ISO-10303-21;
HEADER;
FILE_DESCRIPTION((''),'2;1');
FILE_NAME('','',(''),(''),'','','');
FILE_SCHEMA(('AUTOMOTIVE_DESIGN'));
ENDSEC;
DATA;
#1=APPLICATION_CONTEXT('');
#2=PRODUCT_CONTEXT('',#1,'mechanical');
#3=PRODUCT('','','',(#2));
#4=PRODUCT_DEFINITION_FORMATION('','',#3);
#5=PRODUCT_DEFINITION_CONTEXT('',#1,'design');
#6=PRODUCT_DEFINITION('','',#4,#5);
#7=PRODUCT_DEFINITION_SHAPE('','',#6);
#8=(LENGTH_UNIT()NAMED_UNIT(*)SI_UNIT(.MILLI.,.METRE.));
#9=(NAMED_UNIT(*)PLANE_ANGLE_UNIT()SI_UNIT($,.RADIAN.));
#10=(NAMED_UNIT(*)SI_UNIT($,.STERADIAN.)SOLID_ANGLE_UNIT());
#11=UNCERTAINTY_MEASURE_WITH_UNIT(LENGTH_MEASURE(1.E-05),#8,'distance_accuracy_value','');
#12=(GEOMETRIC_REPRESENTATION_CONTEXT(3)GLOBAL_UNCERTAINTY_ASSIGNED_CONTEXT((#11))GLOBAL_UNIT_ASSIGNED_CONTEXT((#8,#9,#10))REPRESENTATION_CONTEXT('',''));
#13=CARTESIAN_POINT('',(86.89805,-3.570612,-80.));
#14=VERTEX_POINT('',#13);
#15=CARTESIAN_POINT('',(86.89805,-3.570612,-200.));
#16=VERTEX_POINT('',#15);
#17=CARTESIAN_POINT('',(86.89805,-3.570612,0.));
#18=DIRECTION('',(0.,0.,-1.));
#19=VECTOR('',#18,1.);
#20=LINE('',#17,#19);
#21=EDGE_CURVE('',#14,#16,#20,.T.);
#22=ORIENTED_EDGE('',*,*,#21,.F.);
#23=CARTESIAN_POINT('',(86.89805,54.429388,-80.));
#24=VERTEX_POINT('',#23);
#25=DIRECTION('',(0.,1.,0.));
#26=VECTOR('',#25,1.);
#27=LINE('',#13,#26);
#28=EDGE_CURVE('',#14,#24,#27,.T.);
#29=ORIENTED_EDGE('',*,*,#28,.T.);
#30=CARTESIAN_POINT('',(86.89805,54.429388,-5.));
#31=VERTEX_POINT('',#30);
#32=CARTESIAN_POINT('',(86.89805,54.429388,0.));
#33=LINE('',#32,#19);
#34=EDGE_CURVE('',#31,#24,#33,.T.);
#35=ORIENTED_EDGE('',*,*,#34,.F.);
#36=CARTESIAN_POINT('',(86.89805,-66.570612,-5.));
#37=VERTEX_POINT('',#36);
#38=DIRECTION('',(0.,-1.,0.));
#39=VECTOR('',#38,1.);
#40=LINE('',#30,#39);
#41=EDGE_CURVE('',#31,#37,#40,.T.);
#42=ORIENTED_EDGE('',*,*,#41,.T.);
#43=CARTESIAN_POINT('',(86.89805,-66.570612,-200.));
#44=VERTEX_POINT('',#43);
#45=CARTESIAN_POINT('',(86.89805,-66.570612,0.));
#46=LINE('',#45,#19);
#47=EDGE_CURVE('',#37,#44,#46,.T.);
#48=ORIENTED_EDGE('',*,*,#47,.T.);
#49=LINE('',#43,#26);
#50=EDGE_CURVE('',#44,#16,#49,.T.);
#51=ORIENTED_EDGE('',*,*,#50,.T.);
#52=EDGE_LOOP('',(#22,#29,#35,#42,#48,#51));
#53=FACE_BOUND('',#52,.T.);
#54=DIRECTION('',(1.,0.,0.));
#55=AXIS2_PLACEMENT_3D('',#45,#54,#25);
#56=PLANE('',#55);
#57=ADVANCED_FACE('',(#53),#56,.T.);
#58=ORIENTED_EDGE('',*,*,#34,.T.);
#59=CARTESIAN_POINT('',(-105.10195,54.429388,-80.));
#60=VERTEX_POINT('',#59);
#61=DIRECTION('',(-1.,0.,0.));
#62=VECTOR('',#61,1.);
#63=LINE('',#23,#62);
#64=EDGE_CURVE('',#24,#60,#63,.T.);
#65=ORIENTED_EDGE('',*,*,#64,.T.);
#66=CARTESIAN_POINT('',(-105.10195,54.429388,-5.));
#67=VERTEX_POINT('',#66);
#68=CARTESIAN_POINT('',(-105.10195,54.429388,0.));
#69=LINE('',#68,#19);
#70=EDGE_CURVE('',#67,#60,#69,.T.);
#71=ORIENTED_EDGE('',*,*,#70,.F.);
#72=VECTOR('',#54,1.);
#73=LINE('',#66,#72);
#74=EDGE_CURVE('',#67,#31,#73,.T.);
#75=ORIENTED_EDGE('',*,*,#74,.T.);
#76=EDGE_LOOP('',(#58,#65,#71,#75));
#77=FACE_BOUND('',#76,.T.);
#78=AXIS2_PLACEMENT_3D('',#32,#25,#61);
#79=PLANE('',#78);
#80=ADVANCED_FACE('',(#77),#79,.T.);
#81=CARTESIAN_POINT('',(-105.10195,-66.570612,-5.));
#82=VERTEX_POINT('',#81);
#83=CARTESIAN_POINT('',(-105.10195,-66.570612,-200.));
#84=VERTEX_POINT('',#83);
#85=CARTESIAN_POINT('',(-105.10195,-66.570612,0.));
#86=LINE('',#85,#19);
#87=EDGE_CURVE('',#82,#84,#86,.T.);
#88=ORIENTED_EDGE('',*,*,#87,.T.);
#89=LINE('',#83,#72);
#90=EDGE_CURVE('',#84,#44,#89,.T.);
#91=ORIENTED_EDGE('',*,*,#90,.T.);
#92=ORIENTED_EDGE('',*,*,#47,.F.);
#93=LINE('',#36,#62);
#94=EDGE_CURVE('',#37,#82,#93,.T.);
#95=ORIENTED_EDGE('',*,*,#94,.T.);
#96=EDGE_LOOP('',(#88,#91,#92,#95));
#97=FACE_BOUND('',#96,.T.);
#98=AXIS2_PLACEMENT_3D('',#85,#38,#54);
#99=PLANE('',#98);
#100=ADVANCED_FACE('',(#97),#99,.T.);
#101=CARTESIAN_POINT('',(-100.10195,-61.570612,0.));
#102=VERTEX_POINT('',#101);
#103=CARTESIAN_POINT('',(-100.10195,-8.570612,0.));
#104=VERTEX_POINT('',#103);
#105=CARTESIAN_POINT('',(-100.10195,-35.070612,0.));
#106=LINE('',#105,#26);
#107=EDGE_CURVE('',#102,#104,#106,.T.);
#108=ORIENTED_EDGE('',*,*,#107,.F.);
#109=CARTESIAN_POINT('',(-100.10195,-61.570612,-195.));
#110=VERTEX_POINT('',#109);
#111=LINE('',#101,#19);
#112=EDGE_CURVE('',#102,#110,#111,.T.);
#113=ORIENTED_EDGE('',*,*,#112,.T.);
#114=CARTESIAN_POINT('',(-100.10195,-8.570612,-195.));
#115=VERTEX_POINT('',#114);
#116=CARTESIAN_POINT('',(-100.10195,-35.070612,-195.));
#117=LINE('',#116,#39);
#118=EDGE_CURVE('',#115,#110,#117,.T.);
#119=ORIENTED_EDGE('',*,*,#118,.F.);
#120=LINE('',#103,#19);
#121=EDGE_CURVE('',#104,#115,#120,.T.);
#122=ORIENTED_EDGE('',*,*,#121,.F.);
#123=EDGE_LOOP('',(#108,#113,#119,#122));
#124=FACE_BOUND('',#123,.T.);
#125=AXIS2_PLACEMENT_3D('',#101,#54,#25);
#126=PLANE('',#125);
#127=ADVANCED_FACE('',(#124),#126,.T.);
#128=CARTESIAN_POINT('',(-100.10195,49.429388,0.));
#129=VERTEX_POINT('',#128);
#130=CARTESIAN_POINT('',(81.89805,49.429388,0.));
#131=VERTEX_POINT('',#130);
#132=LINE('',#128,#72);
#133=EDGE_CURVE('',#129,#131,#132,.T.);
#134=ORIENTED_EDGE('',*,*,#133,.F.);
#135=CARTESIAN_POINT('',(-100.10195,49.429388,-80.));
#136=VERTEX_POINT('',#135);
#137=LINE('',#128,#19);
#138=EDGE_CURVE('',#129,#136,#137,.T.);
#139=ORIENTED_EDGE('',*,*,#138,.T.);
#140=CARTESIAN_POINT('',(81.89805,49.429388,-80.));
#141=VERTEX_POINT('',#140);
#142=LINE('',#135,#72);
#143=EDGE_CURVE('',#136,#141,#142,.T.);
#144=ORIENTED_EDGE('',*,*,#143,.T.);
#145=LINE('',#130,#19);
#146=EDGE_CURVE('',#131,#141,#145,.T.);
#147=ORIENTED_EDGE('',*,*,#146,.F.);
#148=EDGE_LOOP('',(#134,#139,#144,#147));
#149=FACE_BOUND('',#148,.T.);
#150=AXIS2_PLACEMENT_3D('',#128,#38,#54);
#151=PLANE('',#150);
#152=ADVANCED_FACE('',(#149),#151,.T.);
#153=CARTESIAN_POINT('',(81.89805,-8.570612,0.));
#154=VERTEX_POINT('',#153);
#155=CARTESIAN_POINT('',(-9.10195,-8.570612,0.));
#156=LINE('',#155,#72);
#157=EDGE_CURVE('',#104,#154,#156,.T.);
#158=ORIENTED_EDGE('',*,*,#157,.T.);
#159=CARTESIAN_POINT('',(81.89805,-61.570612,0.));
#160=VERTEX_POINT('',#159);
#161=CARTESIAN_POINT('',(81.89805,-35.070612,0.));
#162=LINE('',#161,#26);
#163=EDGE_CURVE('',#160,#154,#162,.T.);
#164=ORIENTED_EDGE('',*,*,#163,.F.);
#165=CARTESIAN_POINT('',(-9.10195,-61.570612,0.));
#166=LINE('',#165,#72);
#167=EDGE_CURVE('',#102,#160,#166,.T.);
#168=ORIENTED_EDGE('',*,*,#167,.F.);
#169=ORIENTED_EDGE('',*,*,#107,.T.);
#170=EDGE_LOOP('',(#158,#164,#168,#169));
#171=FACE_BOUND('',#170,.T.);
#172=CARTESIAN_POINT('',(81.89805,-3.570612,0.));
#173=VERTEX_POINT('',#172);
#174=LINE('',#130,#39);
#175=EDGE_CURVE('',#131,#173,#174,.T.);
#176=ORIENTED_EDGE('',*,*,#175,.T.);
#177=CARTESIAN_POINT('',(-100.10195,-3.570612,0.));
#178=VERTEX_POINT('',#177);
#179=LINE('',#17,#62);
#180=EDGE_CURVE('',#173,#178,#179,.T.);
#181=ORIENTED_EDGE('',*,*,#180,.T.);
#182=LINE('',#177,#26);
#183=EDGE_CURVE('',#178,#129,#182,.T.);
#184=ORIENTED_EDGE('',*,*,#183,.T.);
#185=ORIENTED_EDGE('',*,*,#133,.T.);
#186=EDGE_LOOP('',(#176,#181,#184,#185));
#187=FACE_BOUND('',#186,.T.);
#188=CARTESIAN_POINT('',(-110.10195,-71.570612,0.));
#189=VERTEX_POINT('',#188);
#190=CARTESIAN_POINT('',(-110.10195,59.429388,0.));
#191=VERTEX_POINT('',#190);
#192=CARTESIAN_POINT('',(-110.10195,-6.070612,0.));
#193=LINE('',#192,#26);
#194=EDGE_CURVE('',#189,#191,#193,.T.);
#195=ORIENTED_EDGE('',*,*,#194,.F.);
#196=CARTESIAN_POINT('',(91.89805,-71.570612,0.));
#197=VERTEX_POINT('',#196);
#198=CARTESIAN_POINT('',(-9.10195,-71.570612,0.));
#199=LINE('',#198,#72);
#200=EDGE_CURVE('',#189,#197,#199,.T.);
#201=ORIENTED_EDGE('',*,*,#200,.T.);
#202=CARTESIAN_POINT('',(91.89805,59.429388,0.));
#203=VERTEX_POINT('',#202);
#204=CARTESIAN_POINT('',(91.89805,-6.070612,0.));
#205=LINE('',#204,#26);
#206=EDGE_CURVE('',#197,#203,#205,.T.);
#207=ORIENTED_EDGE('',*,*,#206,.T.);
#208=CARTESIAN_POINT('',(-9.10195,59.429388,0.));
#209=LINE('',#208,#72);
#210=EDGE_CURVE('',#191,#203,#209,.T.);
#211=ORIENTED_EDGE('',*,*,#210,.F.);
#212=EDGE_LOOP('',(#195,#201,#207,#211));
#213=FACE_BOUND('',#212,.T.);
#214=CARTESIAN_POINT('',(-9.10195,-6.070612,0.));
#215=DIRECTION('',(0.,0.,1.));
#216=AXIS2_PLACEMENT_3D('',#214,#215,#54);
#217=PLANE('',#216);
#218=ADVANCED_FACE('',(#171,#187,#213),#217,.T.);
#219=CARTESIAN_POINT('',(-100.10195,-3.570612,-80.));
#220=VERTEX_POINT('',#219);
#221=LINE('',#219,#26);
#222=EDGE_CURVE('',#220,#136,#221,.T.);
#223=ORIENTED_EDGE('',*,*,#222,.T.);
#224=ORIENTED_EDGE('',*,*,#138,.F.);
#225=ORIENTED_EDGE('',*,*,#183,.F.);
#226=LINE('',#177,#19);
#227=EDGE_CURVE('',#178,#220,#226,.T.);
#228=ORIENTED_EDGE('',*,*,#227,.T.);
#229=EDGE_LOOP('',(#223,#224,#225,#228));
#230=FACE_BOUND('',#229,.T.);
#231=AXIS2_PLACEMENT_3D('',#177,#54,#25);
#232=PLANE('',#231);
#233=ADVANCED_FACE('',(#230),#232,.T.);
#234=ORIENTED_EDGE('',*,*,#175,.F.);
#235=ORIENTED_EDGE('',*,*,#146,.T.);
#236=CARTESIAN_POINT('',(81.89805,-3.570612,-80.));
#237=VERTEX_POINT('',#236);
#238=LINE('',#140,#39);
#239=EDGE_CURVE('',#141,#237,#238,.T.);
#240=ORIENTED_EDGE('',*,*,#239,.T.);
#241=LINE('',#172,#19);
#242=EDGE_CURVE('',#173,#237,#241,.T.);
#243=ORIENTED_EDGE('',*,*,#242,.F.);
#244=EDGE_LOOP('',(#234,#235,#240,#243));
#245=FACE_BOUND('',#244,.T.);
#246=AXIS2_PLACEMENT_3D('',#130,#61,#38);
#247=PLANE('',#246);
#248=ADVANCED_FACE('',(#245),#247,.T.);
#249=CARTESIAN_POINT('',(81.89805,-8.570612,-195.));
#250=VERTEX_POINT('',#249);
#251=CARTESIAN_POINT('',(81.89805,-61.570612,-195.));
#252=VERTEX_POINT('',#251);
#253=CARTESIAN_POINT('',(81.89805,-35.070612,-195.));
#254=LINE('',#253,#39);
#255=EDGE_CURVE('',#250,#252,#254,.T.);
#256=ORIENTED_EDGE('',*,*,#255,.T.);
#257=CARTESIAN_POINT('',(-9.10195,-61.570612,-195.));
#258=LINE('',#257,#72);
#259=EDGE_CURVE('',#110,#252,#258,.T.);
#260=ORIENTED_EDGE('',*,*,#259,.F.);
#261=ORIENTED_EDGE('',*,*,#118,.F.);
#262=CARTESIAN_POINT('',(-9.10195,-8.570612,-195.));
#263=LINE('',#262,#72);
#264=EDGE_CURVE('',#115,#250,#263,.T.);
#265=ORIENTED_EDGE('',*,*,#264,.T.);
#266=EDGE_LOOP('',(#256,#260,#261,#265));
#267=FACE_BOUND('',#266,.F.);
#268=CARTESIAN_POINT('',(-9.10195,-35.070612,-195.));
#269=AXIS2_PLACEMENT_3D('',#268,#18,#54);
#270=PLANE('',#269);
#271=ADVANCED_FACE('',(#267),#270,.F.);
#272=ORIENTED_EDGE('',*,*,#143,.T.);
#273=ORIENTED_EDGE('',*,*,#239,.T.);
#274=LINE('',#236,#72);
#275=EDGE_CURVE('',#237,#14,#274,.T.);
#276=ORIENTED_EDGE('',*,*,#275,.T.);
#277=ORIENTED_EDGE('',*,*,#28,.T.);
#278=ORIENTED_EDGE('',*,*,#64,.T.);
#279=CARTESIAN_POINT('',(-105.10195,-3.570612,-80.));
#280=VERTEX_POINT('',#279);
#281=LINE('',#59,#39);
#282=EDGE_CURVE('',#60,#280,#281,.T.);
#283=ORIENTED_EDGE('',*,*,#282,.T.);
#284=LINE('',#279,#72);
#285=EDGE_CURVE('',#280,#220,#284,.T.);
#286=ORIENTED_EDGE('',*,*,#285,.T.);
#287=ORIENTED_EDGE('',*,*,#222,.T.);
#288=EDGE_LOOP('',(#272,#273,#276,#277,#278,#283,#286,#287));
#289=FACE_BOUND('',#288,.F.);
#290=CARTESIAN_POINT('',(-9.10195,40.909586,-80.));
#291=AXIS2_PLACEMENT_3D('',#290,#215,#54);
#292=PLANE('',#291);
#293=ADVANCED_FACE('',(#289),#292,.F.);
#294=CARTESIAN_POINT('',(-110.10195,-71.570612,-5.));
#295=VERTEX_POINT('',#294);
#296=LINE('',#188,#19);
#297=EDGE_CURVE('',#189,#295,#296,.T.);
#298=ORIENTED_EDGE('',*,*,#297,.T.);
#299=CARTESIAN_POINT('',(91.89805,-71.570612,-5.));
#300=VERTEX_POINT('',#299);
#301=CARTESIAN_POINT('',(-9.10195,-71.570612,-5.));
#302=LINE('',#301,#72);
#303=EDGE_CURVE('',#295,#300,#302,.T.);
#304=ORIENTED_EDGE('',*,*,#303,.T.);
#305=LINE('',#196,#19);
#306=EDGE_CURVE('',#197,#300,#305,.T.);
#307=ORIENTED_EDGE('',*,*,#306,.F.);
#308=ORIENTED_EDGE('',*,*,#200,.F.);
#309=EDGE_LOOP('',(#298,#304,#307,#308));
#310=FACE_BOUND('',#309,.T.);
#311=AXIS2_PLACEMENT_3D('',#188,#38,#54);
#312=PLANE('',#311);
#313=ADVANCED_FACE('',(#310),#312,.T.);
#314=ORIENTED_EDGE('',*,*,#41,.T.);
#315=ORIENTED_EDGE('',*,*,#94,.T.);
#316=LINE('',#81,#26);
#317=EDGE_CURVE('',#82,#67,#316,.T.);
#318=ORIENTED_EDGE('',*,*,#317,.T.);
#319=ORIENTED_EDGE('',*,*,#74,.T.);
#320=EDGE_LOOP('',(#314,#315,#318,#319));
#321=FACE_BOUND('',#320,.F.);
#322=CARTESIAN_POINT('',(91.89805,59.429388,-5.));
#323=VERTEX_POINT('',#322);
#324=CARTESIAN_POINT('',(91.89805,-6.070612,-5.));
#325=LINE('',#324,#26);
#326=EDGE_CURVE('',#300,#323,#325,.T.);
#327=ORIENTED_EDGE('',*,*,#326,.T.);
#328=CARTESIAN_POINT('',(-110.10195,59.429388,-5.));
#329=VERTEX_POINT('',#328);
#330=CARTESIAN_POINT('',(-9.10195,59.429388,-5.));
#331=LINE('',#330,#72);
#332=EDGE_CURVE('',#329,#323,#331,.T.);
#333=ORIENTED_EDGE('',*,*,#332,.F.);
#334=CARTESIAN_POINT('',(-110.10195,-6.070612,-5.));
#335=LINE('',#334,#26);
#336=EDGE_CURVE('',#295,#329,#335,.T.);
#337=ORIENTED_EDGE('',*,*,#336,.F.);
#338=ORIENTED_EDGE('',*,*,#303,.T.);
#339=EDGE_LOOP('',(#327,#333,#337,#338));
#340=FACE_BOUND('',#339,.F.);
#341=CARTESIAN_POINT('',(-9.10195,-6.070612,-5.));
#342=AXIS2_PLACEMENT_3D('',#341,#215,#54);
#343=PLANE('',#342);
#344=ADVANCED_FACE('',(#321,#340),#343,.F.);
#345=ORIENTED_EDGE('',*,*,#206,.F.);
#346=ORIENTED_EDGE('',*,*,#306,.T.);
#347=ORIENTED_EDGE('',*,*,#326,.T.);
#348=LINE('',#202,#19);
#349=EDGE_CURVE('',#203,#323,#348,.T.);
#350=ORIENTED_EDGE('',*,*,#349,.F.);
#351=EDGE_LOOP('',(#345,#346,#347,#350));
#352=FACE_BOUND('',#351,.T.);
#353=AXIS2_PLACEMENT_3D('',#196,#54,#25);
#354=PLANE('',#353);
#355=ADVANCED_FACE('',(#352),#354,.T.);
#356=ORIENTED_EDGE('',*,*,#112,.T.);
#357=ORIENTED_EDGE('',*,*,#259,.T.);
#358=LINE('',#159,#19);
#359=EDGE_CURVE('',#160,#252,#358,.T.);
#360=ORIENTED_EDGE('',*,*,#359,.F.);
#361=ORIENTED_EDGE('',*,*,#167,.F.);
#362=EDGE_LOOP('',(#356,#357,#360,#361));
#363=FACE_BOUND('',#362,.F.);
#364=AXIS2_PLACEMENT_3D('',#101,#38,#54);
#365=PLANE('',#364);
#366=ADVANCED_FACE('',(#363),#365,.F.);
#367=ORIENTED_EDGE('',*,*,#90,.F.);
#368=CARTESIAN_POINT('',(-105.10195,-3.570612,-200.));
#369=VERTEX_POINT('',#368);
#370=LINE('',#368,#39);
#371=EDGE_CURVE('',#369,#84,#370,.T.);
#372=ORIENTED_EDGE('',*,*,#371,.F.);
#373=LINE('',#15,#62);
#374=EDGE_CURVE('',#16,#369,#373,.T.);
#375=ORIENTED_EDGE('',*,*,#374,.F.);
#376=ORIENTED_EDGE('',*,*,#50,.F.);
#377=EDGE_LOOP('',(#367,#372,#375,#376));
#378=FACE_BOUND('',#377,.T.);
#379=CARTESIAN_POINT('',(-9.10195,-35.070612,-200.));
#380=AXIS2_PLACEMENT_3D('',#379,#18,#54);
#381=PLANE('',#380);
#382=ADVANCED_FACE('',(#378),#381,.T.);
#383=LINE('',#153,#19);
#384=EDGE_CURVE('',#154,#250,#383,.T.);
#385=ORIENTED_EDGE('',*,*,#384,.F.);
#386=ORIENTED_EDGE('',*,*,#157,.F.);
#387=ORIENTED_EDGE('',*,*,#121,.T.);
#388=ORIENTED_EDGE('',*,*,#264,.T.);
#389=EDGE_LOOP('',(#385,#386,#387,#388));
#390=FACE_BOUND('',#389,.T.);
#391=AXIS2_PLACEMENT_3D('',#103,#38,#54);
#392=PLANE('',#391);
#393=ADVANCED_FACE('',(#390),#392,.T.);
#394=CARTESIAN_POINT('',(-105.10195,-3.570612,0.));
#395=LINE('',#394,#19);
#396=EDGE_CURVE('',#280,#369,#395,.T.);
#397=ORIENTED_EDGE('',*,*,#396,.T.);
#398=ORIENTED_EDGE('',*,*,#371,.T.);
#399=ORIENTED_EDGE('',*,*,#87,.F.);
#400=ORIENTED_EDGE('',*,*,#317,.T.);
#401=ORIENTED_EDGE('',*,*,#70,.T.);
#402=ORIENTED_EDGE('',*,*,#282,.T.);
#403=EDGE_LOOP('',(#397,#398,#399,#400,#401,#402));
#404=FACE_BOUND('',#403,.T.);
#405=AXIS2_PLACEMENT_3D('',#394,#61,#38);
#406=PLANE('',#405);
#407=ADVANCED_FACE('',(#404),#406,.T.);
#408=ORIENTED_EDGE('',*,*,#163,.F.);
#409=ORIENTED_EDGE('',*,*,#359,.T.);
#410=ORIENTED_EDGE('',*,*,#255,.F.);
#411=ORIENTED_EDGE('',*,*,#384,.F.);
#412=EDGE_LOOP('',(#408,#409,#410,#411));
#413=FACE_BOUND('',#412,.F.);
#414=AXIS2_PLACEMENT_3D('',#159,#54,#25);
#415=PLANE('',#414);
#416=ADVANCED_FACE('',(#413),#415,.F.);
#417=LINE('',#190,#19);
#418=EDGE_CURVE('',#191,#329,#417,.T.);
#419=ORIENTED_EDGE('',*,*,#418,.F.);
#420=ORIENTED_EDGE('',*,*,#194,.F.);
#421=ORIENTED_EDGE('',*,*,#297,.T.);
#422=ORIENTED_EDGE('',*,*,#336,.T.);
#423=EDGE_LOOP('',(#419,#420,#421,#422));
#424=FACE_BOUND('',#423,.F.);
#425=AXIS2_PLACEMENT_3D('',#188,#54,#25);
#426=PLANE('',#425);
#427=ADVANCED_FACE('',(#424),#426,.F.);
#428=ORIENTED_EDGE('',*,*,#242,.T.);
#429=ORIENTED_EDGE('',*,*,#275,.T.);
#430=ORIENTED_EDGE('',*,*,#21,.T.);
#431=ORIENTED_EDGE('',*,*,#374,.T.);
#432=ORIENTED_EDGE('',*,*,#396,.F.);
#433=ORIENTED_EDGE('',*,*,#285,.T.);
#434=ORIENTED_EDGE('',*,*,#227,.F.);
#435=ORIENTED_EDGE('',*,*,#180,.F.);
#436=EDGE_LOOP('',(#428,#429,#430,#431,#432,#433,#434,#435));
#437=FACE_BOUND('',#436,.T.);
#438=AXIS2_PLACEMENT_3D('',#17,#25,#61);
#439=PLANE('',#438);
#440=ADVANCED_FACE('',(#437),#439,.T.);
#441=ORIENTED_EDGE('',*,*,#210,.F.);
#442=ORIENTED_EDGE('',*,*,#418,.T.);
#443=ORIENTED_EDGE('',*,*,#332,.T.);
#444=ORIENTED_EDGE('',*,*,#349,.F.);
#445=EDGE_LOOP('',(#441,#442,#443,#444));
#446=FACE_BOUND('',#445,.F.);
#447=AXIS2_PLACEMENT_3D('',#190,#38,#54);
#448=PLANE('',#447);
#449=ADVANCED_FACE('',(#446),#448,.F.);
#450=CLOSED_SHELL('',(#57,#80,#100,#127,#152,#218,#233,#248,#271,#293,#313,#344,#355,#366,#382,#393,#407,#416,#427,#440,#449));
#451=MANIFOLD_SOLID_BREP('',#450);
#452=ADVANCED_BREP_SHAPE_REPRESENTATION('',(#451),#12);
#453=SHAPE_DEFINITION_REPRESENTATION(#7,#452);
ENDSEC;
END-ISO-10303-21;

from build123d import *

# Parameters (mm, degrees)
F0_W     = 182
F0_H     = 53
F1_DEPTH = 200
F2_DEPTH = 80
F3_W     = 182
F3_H     = 53
F4_DEPTH = 5
F0_W_2   = 202
F0_H_2   = 131
F5_DEPTH = 5


with BuildPart() as f1:
    # F0 (on Top) → F1 (new body)
    with BuildSketch(Plane.XY):
        Polygon((81.89805, -3.570612), (-100.10195, -3.570612), (-105.10195, -3.570612), (-105.10195, -66.570612), (86.89805, -66.570612), (86.89805, -3.570612), align=None)
        with Locations((-9.10195, -35.070612)):
            Rectangle(F0_W, F0_H, mode=Mode.SUBTRACT)
    extrude(amount=-F1_DEPTH)

    # F0 (on Top) → F2 (join)
    with BuildSketch(Plane.XY):
        Polygon((-100.10195, -3.570612), (-100.10195, 49.429388), (81.89805, 49.429388), (81.89805, -3.570612), (86.89805, -3.570612), (86.89805, 54.429388), (-105.10195, 54.429388), (-105.10195, -3.570612), align=None)
    extrude(amount=-F2_DEPTH)

    # F3 (on face) → F4 (join)
    with BuildSketch(Plane(origin=(0, 0, -200), x_dir=(1, 0, 0), z_dir=(0, 0, -1))):
        with Locations((-9.10195, 35.070612)):
            Rectangle(F3_W, F3_H)
    extrude(amount=-F4_DEPTH)

    # F0 (on Top) → F5 (join)
    with BuildSketch(Plane.XY):
        with Locations((-9.10195, -6.070612)):
            Rectangle(F0_W_2, F0_H_2)
        Polygon((-105.10195, -66.570612), (-105.10195, -3.570612), (-105.10195, 54.429388), (86.89805, 54.429388), (86.89805, -3.570612), (86.89805, -66.570612), align=None, mode=Mode.SUBTRACT)
    extrude(amount=-F5_DEPTH)


solid = f1.part
